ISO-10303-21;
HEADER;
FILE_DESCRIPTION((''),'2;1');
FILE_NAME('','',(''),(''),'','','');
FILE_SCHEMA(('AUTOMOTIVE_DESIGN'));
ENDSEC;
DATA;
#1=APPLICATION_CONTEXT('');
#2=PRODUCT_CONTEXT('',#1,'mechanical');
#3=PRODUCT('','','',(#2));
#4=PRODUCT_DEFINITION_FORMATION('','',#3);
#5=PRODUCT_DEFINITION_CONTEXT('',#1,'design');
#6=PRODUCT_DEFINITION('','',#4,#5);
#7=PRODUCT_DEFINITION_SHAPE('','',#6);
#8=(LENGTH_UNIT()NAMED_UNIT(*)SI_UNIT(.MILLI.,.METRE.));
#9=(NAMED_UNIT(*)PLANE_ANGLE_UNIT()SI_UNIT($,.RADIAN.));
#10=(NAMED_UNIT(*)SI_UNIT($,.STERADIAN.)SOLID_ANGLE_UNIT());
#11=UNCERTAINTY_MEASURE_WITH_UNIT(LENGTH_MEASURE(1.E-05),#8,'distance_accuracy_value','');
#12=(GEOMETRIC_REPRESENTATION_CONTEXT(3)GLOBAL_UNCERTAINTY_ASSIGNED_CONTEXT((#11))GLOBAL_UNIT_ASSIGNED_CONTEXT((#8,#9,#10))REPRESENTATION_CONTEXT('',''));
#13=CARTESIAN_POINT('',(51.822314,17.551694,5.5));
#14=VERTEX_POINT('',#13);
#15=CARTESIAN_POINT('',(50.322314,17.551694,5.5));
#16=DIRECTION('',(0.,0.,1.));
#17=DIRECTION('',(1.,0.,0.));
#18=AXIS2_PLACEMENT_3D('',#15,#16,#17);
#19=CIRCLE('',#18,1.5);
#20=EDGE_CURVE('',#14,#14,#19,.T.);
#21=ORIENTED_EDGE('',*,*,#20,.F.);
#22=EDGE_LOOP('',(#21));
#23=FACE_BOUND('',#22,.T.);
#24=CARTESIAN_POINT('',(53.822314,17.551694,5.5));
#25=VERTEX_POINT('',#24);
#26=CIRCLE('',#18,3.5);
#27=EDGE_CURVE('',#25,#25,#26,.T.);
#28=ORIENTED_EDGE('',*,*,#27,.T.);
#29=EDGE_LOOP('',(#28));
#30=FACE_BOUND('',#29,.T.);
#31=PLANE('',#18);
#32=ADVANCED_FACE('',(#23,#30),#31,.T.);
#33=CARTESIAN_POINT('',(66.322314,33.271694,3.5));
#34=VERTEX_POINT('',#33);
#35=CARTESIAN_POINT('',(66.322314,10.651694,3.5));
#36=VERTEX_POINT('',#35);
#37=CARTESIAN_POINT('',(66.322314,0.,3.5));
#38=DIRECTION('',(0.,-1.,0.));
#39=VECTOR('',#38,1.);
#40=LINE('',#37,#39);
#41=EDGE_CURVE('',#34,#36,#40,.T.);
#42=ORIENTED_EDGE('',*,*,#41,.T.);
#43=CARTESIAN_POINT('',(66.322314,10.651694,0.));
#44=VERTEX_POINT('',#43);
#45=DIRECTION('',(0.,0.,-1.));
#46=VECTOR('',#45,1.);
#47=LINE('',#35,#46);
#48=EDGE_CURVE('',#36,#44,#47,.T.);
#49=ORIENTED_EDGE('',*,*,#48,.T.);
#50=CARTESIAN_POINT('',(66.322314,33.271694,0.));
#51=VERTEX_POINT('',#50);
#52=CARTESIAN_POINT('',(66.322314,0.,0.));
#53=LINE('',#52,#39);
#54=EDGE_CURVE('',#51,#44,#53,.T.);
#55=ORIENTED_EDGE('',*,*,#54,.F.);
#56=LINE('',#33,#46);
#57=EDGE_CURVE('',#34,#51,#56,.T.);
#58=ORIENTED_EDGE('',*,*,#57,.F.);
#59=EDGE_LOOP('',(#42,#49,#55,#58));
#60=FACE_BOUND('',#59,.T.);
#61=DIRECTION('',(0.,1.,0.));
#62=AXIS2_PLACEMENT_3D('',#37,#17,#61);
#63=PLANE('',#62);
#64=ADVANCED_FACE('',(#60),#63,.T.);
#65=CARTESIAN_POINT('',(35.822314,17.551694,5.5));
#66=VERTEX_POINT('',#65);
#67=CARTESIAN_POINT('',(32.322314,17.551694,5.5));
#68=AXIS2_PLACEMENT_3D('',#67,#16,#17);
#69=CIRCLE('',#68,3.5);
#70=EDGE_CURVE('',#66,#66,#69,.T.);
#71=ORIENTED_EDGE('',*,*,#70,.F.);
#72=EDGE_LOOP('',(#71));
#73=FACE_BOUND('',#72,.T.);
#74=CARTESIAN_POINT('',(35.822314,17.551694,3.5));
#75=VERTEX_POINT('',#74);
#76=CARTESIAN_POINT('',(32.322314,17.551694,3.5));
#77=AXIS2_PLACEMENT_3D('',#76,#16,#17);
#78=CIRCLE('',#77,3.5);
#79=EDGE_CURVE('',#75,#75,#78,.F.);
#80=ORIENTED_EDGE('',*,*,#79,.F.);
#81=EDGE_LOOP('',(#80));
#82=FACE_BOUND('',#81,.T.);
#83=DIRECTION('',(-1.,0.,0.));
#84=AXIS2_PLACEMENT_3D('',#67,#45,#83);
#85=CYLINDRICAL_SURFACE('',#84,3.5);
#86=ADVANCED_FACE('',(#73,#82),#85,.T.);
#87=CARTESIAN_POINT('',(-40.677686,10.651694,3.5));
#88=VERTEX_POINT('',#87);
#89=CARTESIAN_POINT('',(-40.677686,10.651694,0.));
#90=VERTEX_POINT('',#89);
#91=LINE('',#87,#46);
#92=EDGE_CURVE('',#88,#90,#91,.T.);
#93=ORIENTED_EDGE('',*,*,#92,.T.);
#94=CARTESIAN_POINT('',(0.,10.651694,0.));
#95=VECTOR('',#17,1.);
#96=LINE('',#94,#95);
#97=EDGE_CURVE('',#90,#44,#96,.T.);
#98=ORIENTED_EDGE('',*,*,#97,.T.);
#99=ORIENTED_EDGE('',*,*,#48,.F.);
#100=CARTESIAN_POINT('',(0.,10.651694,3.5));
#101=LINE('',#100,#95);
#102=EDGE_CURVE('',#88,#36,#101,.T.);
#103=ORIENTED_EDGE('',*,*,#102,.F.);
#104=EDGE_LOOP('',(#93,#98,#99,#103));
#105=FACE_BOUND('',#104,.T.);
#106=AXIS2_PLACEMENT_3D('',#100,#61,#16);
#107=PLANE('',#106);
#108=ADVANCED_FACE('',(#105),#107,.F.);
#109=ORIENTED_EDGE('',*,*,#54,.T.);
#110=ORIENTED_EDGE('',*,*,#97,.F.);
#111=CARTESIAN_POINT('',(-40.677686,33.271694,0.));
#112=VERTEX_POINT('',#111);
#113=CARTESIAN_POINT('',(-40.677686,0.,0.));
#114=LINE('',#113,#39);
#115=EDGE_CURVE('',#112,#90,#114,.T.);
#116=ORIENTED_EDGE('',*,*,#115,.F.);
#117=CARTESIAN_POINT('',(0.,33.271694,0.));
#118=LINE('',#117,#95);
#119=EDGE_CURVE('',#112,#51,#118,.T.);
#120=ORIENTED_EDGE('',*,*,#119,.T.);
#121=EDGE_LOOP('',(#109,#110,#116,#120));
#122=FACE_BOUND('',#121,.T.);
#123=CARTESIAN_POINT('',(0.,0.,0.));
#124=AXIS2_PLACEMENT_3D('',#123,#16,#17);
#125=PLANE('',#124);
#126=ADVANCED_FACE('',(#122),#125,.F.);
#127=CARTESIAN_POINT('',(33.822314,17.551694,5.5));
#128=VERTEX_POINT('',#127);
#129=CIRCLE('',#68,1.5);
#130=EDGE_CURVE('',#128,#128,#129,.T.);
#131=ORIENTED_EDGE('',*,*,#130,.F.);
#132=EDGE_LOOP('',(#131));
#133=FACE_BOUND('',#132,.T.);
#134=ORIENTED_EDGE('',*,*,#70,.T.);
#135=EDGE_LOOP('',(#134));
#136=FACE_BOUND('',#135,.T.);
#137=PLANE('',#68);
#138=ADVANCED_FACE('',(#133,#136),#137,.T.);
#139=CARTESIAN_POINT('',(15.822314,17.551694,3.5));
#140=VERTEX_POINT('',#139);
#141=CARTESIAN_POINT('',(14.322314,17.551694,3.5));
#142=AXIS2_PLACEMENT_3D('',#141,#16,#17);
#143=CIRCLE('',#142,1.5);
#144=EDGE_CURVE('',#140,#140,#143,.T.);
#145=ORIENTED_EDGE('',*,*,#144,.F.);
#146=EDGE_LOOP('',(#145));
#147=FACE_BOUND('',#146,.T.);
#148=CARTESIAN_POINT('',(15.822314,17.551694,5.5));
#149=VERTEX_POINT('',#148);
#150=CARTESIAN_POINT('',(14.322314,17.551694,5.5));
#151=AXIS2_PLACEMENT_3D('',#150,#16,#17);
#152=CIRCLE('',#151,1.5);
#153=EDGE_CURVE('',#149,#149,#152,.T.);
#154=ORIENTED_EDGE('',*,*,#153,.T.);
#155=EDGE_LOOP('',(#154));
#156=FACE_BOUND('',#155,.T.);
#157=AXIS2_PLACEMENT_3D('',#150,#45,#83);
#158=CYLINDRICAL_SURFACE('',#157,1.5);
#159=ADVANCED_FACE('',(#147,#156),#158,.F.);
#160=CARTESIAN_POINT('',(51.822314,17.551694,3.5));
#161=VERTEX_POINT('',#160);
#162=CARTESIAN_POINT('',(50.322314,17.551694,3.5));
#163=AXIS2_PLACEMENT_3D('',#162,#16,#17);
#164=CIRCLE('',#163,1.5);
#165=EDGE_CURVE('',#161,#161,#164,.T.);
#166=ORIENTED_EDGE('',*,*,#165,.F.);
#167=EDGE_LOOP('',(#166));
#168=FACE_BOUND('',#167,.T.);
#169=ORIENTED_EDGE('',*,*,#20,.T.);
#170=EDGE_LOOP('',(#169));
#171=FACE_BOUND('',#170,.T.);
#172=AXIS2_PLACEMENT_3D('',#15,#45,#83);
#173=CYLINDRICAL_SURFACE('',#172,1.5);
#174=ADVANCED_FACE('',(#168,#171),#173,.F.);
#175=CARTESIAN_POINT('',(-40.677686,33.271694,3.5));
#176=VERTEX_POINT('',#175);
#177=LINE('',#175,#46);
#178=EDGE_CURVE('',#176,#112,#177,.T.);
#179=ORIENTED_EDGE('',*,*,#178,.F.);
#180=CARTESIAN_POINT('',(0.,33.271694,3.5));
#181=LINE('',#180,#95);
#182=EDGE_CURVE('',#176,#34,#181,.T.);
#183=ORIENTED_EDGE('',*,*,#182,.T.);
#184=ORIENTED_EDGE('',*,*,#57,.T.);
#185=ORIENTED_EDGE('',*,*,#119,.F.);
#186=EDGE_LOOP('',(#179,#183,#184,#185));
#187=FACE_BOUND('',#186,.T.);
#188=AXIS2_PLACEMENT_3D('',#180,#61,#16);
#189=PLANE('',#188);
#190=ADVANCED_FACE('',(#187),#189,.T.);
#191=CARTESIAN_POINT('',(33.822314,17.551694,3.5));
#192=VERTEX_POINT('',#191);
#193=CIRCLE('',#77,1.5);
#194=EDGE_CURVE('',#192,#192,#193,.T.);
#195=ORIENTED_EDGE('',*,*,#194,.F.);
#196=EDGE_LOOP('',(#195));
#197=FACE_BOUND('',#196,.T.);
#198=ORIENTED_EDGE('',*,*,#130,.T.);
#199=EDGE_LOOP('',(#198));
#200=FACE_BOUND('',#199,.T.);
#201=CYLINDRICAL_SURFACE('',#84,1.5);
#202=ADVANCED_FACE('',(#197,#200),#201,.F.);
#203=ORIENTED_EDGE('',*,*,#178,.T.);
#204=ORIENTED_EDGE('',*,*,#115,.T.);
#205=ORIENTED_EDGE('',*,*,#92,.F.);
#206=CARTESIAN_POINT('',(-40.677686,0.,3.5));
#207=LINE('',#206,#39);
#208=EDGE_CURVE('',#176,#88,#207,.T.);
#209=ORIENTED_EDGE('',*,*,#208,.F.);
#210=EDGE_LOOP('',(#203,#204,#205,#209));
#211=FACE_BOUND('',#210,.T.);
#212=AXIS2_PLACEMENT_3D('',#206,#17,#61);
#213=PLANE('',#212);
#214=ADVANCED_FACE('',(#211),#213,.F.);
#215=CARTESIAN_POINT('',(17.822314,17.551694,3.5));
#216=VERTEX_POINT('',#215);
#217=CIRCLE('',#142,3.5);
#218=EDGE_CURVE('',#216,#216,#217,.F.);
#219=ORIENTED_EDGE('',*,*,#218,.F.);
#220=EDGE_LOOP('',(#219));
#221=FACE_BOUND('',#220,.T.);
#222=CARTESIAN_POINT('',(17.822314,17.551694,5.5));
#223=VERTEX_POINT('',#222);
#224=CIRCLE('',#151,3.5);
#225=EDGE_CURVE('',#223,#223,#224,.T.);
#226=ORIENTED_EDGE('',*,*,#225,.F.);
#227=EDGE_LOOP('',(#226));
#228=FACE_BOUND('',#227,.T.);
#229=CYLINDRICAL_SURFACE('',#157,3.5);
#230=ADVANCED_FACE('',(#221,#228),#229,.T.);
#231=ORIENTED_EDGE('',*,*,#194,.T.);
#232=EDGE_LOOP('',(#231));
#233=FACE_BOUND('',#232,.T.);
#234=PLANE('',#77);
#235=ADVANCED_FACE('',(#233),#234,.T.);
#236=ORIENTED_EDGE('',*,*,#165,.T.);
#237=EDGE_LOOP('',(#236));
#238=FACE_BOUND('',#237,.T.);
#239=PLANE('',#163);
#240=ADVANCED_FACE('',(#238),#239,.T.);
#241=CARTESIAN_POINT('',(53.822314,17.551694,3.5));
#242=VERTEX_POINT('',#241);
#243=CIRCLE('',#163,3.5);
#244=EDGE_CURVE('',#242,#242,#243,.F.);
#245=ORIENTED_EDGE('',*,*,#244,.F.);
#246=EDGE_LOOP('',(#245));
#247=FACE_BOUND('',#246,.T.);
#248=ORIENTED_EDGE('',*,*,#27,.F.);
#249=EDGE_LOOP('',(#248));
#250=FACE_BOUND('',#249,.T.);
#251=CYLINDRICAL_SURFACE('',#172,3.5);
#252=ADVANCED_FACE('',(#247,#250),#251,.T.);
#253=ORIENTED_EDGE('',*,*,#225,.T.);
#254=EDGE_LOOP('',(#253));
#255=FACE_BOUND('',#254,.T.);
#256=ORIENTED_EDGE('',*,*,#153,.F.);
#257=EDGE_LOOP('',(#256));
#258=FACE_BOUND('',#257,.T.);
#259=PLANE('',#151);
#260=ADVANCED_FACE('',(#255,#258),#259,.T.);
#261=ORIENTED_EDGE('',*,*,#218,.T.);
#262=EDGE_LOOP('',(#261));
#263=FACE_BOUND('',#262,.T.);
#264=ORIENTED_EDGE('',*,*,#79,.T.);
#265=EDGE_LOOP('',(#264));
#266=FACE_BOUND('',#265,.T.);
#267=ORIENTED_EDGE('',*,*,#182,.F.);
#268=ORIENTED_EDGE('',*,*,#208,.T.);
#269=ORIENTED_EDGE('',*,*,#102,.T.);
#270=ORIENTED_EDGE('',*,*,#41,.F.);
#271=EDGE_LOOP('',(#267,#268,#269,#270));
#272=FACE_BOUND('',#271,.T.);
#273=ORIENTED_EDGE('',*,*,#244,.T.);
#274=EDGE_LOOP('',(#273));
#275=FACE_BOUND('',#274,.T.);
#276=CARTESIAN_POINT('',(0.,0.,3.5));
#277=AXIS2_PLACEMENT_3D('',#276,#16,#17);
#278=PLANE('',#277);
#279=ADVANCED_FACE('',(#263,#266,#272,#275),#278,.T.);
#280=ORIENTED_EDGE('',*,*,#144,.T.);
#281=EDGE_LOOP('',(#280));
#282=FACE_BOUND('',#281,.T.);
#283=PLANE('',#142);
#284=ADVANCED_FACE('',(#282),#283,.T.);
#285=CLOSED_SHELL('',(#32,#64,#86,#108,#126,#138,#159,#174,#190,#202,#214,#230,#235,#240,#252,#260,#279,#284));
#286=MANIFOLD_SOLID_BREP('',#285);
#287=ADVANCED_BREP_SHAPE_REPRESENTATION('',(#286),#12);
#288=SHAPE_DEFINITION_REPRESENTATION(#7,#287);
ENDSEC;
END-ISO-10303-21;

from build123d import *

# Parameters (mm, degrees)
ESBO_O1_W                = 107
ESBO_O1_H                = 22.62
RESSALTO_EXTRUS_O1_DEPTH = 3.5
ESBO_O1_4_R              = 3.5
RESSALTO_EXTRUS_O2_DEPTH = 5.5
ESBO_O1_7_R              = 1.5
CORTE_EXTRUS_O1_DEPTH    = 5.5
ESBO_O1_9_R              = 1.5
RESSALTO_EXTRUS_O4_DEPTH = 3.5


with BuildPart() as part:
    # Esboço1 → Ressalto-extrusão1 (new body)
    with BuildSketch(Plane.XY):
        with Locations((12.82231405, 21.961694215)):
            Rectangle(ESBO_O1_W, ESBO_O1_H)
    extrude(amount=RESSALTO_EXTRUS_O1_DEPTH)

    # Esboço1<4> → Ressalto-extrusão2 (add)
    with BuildSketch(Plane.XY):
        with Locations((14.32231405, 17.551694215)):
            Circle(ESBO_O1_4_R)
        with Locations((32.32231405, 17.551694215)):
            Circle(ESBO_O1_4_R)
        with Locations((50.32231405, 17.551694215)):
            Circle(ESBO_O1_4_R)
    extrude(amount=RESSALTO_EXTRUS_O2_DEPTH)

    # Esboço1<7> → Corte-extrusão1 (cut)
    with BuildSketch(Plane.XY):
        with Locations((14.32231405, 17.551694215)):
            Circle(ESBO_O1_7_R)
        with Locations((32.32231405, 17.551694215)):
            Circle(ESBO_O1_7_R)
        with Locations((50.32231405, 17.551694215)):
            Circle(ESBO_O1_7_R)
    extrude(amount=CORTE_EXTRUS_O1_DEPTH, mode=Mode.SUBTRACT)

    # Esboço1<9> → Ressalto-extrusão4 (add)
    with BuildSketch(Plane.XY):
        with Locations((14.32231405, 17.551694215)):
            Circle(ESBO_O1_9_R)
        with Locations((32.32231405, 17.551694215)):
            Circle(ESBO_O1_9_R)
        with Locations((50.32231405, 17.551694215)):
            Circle(ESBO_O1_9_R)
    extrude(amount=RESSALTO_EXTRUS_O4_DEPTH)


solid = part.part
